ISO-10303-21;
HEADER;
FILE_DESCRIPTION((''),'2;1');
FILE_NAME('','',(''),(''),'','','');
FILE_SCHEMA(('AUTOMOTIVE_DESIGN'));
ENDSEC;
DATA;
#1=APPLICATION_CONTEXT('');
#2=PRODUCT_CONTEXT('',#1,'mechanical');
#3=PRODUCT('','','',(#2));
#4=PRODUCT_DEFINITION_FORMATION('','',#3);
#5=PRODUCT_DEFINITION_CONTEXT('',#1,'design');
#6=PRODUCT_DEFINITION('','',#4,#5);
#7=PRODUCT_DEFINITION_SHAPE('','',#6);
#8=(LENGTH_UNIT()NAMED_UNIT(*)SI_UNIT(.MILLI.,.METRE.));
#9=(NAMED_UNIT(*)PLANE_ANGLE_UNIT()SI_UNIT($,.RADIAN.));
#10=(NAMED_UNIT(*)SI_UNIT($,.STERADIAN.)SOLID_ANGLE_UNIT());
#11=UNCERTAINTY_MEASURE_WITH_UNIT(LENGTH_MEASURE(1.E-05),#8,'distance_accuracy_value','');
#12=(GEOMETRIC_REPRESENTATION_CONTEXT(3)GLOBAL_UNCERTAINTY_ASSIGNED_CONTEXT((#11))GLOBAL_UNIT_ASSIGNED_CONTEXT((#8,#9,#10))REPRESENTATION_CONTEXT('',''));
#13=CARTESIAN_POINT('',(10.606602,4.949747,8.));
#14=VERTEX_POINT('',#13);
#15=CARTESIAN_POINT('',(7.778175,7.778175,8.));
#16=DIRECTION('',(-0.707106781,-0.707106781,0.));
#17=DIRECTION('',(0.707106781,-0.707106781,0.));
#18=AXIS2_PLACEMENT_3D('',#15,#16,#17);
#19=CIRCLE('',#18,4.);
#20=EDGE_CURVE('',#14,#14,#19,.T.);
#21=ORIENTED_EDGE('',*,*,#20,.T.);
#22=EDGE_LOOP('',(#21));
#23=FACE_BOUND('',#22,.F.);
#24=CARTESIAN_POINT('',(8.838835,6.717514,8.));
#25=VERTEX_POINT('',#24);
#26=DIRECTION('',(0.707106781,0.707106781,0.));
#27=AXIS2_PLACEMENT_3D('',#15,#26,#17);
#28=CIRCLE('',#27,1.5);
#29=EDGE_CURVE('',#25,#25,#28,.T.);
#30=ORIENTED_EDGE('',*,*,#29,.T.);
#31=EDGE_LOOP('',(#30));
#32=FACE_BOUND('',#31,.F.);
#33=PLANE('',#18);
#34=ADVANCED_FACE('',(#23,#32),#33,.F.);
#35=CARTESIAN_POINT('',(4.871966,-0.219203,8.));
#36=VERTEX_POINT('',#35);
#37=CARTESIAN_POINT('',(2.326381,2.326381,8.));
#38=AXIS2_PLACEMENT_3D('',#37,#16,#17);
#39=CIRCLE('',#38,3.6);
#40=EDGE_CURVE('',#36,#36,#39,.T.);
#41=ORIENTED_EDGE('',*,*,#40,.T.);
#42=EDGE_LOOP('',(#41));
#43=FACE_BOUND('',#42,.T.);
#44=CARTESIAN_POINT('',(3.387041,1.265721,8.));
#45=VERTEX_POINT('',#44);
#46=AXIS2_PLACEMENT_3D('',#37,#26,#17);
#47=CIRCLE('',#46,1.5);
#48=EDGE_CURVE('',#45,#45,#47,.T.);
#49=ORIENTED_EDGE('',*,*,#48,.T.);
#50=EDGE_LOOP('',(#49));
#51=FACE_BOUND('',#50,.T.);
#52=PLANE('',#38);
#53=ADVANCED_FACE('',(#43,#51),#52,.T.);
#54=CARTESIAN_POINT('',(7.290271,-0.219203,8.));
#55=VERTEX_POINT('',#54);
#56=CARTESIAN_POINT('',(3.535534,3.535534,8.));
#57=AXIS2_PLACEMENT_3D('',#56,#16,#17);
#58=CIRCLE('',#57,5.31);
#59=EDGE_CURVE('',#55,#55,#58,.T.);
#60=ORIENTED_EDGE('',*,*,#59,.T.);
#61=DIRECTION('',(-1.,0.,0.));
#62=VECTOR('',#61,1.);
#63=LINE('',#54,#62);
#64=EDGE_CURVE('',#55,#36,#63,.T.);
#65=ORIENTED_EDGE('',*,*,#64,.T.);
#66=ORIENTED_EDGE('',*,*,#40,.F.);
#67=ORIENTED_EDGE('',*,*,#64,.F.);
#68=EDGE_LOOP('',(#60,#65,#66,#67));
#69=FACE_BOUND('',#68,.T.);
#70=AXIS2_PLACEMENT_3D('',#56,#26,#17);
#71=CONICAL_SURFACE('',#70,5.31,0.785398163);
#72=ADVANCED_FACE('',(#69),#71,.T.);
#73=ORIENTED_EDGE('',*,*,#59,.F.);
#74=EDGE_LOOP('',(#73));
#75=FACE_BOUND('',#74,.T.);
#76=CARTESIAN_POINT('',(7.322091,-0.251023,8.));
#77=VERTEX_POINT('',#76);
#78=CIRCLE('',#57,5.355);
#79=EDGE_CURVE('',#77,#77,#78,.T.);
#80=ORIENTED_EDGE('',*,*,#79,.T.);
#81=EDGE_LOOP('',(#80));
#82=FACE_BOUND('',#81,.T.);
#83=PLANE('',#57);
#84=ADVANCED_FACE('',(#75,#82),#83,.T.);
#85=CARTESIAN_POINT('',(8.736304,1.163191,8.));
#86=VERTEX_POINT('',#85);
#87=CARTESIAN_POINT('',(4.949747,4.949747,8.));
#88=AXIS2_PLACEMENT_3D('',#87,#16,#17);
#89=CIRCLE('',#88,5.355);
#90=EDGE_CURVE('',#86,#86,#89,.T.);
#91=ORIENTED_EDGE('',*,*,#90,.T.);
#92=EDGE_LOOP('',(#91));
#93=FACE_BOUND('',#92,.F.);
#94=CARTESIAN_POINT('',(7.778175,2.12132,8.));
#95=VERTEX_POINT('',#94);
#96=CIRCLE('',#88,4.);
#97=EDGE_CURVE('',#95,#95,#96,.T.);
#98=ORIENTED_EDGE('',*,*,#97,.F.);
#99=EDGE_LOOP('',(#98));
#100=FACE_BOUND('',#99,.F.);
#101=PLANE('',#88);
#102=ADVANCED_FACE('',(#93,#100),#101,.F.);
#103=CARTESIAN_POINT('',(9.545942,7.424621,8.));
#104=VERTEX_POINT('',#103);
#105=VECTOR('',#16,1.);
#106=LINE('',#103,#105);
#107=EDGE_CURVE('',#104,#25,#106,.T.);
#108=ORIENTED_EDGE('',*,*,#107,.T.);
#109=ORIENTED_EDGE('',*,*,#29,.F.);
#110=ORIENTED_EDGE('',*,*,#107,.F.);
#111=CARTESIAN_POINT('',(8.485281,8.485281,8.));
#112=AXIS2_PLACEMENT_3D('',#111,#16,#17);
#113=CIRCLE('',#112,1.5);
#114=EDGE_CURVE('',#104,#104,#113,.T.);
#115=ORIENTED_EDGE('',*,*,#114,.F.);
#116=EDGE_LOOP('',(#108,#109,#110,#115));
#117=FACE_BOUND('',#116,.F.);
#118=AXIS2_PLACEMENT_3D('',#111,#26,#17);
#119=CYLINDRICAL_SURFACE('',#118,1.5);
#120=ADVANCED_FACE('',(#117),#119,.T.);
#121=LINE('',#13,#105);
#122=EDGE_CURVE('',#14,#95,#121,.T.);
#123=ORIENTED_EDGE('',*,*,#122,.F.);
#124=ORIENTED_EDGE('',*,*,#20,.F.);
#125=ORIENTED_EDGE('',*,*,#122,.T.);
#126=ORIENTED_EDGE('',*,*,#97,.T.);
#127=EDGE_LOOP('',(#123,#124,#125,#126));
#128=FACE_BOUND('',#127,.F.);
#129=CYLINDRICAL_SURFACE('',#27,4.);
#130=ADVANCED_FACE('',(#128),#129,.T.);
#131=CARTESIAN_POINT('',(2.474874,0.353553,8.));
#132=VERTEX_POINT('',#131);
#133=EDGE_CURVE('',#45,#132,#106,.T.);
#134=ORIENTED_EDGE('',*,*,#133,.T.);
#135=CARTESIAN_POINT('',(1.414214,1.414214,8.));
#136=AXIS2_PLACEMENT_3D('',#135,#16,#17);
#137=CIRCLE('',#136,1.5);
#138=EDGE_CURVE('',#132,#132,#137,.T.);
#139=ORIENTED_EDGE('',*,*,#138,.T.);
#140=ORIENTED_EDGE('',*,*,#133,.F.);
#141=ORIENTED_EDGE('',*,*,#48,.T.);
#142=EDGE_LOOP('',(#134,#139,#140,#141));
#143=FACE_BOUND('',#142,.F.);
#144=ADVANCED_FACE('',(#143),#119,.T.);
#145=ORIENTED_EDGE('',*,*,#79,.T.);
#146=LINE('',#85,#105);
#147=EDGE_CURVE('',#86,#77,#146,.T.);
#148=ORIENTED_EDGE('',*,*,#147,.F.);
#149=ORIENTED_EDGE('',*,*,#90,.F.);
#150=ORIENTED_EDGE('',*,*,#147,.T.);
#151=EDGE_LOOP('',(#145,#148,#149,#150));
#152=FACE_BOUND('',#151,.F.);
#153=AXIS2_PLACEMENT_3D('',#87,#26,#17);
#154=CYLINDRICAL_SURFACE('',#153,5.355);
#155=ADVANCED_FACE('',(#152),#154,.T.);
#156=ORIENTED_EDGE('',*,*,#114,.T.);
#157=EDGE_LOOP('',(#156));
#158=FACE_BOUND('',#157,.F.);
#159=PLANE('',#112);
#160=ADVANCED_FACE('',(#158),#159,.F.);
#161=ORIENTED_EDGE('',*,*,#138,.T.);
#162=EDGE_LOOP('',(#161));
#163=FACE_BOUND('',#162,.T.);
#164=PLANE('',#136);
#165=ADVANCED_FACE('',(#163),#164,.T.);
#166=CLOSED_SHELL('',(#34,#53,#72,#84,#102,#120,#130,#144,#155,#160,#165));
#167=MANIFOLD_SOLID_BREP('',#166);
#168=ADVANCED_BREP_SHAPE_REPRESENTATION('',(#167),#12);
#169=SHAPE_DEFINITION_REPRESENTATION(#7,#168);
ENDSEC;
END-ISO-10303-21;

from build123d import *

# Parameters (mm, degrees)
CYLINDER081016_R                               = 1.5
CYLINDER081016_DEPTH                           = 10
CYLINDER081017_R                               = 4
CYLINDER081017_DEPTH                           = 4
CYLINDER081018_R                               = 5.355
CYLINDER081018_DEPTH                           = 2
FUSION103077013004017008011030_PLACEMENT_ANGLE = 45


with BuildPart() as cylinder081013:
    # Cylinder081016 → Cylinder081016 (new body)
    with BuildSketch(Plane(origin=(0, 12, 8), x_dir=(1, 0, 0), z_dir=(0, -1, 0))):
        Circle(CYLINDER081016_R)
    extrude(amount=CYLINDER081016_DEPTH)


with BuildPart() as cylinder081014:
    # Cylinder081017 → Cylinder081017 (new body)
    with BuildSketch(Plane(origin=(0, 11, 8), x_dir=(1, 0, 0), z_dir=(0, -1, 0))):
        Circle(CYLINDER081017_R)
    extrude(amount=CYLINDER081017_DEPTH)


with BuildPart() as cylinder081015:
    # Cylinder081018 → Cylinder081018 (new body)
    with BuildSketch(Plane(origin=(0, 7, 8), x_dir=(1, 0, 0), z_dir=(0, -1, 0))):
        Circle(CYLINDER081018_R)
    extrude(amount=CYLINDER081018_DEPTH)


with BuildPart() as commercial_gear:
    # Cone004 → Cone004 (revolve)
    with BuildSketch(Plane(origin=(0, 5, 8), x_dir=(1, 0, 0), z_dir=(0, 0, -1))):
        Polygon((0, 0), (5.31, 0), (3.6, 1.71), (0, 1.71), align=None)
    revolve(axis=Axis((0, 5, 8), (0, -1, 0)))

    # Fusion103077013004017008011030: union Cylinder081013, Cylinder081014, Cylinder081015
    add(cylinder081013.part)
    add(cylinder081014.part)
    add(cylinder081015.part)


with BuildPart() as commercial_gear_1:
    # Fusion103077013004017008011030 placement: moved
    add(commercial_gear.part.rotate(Axis((0, 0, 0), (0, 0, -1)), FUSION103077013004017008011030_PLACEMENT_ANGLE))


solid = commercial_gear_1.part
